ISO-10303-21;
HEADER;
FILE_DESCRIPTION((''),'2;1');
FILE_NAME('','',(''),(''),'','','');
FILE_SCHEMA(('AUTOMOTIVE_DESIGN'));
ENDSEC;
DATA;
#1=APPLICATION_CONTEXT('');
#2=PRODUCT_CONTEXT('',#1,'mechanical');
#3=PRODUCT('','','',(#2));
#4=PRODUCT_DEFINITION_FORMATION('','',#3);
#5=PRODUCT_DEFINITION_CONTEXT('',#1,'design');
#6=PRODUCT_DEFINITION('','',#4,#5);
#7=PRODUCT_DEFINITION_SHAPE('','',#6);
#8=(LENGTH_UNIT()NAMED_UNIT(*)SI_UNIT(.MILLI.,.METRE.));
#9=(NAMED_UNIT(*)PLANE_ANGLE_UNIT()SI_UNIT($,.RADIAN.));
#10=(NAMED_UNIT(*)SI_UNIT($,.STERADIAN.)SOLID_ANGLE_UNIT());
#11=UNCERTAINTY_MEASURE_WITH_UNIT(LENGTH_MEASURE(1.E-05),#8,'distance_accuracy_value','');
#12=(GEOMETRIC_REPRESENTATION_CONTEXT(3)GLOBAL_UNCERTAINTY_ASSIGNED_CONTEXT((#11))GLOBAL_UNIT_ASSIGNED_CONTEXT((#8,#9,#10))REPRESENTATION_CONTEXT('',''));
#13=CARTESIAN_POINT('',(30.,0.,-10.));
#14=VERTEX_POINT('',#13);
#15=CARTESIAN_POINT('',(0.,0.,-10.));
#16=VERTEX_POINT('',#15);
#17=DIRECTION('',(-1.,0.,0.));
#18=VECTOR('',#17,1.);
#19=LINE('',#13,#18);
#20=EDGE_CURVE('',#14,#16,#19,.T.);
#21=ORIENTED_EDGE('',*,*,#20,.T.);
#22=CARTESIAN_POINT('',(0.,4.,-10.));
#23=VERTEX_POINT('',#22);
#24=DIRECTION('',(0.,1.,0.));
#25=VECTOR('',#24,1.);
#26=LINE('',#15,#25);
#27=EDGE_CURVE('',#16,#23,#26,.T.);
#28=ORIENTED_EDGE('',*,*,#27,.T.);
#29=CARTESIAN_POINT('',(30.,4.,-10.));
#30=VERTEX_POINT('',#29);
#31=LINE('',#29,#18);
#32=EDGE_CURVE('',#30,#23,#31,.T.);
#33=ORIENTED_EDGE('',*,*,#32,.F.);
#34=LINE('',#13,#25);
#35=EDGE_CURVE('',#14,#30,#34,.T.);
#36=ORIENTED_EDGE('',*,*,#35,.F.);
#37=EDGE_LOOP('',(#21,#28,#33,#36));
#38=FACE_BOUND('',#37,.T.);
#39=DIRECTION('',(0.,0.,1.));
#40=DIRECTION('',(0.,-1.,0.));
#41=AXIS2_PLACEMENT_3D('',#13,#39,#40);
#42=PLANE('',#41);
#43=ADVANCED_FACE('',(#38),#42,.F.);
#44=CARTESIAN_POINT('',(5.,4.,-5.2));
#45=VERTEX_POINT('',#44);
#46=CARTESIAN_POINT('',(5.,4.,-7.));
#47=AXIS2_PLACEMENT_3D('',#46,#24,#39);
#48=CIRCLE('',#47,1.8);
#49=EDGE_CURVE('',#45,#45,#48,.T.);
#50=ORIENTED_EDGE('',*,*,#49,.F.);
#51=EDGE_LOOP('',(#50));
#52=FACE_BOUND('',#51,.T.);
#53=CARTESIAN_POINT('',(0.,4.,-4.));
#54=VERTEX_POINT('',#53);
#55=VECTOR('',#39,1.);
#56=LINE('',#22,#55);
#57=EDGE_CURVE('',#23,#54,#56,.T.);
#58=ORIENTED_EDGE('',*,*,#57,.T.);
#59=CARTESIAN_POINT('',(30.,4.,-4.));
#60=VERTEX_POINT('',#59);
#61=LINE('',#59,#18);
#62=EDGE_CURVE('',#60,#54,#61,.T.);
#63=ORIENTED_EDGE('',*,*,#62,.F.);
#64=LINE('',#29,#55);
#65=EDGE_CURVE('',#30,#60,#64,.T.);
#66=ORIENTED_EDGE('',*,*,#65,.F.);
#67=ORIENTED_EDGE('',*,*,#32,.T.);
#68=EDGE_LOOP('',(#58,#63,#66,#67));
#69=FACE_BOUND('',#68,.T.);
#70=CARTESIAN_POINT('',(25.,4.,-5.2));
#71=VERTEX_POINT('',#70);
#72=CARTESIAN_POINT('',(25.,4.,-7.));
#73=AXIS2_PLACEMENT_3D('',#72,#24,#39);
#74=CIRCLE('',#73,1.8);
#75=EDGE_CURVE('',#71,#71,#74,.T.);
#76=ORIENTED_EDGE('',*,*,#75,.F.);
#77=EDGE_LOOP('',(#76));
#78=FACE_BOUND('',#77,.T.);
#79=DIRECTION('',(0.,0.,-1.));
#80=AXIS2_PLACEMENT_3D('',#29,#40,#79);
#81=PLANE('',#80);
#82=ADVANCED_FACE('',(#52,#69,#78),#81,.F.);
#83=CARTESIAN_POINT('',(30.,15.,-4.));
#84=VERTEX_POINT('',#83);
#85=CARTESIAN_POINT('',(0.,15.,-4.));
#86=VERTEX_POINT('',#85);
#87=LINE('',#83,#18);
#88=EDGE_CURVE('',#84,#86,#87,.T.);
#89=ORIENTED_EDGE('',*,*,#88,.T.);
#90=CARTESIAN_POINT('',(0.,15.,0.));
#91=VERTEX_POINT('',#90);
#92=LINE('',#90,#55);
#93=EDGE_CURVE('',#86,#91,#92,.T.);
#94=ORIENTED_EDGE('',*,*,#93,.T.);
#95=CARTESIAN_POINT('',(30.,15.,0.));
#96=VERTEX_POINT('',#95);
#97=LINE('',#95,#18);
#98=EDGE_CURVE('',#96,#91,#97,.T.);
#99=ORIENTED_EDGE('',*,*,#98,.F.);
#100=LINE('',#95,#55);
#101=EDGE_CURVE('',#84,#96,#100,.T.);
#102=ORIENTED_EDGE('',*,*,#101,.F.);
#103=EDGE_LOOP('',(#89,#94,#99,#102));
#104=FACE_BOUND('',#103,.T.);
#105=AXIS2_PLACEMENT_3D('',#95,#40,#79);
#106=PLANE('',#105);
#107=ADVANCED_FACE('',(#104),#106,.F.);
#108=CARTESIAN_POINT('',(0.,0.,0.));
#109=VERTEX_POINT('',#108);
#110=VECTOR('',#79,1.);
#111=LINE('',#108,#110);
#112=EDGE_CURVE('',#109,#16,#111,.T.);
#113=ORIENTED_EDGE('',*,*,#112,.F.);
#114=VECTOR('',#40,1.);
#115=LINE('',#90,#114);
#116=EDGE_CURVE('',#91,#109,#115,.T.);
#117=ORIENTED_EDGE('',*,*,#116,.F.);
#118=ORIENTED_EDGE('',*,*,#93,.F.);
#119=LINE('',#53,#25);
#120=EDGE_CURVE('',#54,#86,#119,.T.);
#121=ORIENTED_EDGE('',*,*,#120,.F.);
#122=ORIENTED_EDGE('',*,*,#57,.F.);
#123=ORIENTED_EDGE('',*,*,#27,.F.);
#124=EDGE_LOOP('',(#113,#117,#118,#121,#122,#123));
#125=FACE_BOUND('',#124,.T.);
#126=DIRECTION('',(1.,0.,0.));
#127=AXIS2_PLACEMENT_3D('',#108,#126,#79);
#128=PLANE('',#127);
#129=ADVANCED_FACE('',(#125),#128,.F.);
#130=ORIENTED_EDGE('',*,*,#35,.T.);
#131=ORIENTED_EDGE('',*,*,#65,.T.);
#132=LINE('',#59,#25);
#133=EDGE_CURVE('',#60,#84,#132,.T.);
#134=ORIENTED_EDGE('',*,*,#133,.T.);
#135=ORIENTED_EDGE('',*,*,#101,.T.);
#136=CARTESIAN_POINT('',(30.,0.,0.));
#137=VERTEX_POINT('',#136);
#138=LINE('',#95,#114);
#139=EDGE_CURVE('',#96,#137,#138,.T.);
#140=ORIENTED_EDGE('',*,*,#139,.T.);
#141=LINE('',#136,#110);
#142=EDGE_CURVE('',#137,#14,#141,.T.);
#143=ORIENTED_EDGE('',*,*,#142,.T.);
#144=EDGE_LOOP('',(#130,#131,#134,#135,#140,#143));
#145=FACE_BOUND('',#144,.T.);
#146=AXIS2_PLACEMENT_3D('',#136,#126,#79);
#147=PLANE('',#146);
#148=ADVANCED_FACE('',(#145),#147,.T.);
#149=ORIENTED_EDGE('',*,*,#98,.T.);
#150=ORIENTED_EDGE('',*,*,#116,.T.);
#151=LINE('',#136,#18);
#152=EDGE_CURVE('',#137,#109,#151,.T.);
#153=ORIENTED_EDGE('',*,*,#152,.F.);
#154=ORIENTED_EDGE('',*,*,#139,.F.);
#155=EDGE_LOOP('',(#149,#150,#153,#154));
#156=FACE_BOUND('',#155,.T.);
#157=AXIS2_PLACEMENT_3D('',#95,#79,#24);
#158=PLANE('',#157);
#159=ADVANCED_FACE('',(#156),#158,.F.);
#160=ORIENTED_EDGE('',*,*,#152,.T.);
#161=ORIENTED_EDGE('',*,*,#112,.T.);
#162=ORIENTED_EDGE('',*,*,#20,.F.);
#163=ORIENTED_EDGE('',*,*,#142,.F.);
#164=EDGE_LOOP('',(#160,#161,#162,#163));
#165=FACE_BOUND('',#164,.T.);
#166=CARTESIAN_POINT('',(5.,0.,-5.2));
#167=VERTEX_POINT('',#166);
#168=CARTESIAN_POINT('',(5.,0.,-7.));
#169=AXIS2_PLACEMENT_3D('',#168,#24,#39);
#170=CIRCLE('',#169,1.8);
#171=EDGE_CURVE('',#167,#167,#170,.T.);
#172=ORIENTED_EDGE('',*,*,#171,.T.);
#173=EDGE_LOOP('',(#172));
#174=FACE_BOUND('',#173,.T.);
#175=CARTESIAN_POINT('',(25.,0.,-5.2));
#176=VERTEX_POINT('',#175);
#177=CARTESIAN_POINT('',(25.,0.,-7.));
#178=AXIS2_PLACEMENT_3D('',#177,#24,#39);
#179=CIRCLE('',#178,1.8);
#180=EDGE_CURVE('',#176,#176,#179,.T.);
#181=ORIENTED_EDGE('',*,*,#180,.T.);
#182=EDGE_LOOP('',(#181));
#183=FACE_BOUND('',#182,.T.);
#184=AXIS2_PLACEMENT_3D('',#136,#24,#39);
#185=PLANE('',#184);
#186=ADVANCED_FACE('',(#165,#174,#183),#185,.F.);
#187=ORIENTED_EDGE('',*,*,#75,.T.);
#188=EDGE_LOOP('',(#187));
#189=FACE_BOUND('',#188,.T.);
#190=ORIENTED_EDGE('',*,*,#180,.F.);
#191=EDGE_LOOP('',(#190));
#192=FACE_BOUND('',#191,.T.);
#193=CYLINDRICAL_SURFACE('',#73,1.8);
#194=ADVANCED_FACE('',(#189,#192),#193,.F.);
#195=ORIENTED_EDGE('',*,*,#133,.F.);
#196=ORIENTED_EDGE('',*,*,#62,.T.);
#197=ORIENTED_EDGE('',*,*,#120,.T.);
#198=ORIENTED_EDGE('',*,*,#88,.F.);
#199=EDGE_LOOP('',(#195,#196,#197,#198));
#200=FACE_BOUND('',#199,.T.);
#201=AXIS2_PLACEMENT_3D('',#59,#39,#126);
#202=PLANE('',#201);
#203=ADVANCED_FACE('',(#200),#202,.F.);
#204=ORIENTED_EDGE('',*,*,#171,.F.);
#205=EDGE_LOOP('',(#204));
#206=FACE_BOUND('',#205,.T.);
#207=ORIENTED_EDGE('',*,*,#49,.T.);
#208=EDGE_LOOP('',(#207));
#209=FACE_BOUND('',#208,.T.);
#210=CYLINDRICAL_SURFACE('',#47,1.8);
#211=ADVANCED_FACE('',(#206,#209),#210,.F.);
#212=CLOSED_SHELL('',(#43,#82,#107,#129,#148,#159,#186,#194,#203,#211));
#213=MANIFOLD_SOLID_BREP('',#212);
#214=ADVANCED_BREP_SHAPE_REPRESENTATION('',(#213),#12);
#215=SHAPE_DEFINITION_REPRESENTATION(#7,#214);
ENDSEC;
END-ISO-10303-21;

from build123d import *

# Parameters (mm, degrees)
BOSS_EXTRUDE1_DEPTH  = 30
M3_CLEARANCE_HOLE1_D = 3.6


with BuildPart() as part:
    # Sketch1 → Boss-Extrude1 (new body)
    with BuildSketch(Plane(origin=(0, 0, 0), x_dir=(0, 0, -1), z_dir=(1, 0, 0))):
        Polygon((0, 15), (0, 0), (10, 0), (10, 4), (4, 4), (4, 15), align=None)
    extrude(amount=BOSS_EXTRUDE1_DEPTH)

    # M3 Clearance Hole1 (through all)
    with Locations(Plane(origin=(0, 4, 0), x_dir=(1, 0, 0), z_dir=(0, 1, 0))):
        with Locations((5, 7), (25, 7)):
            Hole(M3_CLEARANCE_HOLE1_D / 2)


solid = part.part
